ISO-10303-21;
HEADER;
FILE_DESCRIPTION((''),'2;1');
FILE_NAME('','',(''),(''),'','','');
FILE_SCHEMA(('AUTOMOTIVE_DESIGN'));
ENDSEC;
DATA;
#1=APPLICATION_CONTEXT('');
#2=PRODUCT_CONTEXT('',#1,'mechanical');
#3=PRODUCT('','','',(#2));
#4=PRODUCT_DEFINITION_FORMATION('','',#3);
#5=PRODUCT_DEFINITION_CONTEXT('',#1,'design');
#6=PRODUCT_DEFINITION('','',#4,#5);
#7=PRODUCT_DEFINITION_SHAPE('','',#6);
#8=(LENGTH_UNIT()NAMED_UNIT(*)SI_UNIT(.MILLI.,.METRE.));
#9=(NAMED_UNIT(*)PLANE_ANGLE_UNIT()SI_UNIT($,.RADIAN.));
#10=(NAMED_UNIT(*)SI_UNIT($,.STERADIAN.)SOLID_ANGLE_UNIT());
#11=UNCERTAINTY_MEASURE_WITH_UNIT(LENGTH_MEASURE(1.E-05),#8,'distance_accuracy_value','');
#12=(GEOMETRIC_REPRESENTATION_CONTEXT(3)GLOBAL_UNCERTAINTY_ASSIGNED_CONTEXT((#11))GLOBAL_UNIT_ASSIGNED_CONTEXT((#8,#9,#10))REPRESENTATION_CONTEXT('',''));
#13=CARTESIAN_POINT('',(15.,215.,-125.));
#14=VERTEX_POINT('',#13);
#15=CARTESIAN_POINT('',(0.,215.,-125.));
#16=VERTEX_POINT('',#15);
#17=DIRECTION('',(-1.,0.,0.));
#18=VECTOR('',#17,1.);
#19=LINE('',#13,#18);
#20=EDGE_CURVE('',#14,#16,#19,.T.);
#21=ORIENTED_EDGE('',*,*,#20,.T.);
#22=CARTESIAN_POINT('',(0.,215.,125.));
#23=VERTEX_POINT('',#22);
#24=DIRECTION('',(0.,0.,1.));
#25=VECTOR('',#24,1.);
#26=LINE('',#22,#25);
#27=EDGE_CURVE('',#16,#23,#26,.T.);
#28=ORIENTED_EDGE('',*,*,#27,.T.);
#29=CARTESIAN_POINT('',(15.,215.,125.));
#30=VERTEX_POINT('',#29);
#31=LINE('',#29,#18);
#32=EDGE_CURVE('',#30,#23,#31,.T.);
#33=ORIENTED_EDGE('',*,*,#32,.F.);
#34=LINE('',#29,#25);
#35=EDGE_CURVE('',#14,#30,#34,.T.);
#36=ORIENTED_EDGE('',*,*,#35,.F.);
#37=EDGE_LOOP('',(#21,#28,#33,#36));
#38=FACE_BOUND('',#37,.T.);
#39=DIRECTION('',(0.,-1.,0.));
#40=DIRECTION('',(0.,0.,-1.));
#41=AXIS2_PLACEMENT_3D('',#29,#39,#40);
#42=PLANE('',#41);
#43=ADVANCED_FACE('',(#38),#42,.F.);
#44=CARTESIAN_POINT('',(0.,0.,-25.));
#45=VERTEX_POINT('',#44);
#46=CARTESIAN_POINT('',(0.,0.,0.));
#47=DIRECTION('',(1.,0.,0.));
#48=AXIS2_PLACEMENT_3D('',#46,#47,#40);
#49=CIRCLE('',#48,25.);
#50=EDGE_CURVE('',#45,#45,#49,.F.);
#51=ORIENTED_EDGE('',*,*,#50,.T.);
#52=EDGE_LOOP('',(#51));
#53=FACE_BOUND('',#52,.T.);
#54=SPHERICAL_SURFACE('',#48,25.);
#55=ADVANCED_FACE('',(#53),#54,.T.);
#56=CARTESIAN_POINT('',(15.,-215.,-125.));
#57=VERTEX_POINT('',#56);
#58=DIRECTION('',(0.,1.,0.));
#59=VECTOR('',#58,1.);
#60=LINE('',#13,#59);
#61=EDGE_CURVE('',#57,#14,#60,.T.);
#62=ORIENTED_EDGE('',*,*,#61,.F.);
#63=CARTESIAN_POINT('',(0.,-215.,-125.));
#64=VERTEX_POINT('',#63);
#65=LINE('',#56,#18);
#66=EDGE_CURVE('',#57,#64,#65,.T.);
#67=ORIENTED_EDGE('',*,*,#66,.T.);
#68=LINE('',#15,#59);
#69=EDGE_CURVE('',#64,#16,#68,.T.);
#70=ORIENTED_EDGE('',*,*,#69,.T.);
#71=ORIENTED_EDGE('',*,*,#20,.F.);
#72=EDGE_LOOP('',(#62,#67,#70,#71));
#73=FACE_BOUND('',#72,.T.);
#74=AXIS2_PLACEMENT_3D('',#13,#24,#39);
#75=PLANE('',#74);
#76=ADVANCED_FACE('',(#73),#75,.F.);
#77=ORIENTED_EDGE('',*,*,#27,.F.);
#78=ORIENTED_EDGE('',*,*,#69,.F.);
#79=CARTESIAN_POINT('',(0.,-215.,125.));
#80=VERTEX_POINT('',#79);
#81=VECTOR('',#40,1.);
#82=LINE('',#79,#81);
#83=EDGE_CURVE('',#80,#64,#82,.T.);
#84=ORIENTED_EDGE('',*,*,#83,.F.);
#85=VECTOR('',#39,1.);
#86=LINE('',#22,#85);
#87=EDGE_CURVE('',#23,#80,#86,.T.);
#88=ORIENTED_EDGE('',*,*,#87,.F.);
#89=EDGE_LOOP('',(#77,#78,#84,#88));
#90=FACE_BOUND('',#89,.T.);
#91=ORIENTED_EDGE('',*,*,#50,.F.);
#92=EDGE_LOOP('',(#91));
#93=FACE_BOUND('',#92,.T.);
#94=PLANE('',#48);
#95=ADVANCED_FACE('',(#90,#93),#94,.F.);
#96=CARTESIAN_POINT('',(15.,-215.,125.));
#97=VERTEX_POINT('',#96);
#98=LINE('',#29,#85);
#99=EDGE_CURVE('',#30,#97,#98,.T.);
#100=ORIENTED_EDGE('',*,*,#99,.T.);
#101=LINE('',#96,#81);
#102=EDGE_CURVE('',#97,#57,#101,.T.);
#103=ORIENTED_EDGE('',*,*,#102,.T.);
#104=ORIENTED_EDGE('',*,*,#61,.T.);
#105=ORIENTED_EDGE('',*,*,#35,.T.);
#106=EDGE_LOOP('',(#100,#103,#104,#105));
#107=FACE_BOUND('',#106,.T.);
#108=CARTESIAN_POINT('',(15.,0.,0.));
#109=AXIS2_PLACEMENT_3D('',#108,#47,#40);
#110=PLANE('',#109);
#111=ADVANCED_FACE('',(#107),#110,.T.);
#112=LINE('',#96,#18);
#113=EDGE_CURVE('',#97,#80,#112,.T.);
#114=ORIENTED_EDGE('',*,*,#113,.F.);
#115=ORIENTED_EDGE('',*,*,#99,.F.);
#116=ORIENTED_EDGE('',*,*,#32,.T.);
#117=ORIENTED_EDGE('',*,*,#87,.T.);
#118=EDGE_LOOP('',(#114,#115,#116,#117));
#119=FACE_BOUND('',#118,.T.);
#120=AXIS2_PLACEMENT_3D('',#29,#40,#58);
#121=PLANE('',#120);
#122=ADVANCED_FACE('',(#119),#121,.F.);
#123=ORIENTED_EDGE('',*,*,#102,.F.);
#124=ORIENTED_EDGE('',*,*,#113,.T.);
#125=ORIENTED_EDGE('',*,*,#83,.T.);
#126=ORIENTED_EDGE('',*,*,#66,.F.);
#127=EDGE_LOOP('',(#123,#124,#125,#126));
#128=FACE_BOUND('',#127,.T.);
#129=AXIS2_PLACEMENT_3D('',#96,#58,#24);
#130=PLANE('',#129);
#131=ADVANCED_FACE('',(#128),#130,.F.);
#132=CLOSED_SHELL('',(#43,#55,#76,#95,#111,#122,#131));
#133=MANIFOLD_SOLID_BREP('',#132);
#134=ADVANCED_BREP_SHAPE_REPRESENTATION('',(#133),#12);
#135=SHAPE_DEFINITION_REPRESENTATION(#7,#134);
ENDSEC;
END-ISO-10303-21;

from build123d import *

# Parameters (mm, degrees)
ESBO_O1_W                = 250
ESBO_O1_H                = 430
RESSALTO_EXTRUS_O1_DEPTH = 15
REVOLU_O1_ANGLE          = 180


with BuildPart() as part:
    # Esboço1 → Ressalto-extrusão1 (new body)
    with BuildSketch(Plane(origin=(0, 0, 0), x_dir=(0, 0, -1), z_dir=(1, 0, 0))):
        Rectangle(ESBO_O1_W, ESBO_O1_H)
    extrude(amount=RESSALTO_EXTRUS_O1_DEPTH)

    # Esboço4 → Revolução1 (revolve)
    with BuildSketch(Plane.ZY):
        with BuildLine():
            Line((-25, 0), (25, 0))
            ThreePointArc((25, 0), (0, -25), (-25, 0))
        make_face()
    revolve(axis=Axis((0, 0, -25), (0, 0, -1)), revolution_arc=REVOLU_O1_ANGLE)


solid = part.part
